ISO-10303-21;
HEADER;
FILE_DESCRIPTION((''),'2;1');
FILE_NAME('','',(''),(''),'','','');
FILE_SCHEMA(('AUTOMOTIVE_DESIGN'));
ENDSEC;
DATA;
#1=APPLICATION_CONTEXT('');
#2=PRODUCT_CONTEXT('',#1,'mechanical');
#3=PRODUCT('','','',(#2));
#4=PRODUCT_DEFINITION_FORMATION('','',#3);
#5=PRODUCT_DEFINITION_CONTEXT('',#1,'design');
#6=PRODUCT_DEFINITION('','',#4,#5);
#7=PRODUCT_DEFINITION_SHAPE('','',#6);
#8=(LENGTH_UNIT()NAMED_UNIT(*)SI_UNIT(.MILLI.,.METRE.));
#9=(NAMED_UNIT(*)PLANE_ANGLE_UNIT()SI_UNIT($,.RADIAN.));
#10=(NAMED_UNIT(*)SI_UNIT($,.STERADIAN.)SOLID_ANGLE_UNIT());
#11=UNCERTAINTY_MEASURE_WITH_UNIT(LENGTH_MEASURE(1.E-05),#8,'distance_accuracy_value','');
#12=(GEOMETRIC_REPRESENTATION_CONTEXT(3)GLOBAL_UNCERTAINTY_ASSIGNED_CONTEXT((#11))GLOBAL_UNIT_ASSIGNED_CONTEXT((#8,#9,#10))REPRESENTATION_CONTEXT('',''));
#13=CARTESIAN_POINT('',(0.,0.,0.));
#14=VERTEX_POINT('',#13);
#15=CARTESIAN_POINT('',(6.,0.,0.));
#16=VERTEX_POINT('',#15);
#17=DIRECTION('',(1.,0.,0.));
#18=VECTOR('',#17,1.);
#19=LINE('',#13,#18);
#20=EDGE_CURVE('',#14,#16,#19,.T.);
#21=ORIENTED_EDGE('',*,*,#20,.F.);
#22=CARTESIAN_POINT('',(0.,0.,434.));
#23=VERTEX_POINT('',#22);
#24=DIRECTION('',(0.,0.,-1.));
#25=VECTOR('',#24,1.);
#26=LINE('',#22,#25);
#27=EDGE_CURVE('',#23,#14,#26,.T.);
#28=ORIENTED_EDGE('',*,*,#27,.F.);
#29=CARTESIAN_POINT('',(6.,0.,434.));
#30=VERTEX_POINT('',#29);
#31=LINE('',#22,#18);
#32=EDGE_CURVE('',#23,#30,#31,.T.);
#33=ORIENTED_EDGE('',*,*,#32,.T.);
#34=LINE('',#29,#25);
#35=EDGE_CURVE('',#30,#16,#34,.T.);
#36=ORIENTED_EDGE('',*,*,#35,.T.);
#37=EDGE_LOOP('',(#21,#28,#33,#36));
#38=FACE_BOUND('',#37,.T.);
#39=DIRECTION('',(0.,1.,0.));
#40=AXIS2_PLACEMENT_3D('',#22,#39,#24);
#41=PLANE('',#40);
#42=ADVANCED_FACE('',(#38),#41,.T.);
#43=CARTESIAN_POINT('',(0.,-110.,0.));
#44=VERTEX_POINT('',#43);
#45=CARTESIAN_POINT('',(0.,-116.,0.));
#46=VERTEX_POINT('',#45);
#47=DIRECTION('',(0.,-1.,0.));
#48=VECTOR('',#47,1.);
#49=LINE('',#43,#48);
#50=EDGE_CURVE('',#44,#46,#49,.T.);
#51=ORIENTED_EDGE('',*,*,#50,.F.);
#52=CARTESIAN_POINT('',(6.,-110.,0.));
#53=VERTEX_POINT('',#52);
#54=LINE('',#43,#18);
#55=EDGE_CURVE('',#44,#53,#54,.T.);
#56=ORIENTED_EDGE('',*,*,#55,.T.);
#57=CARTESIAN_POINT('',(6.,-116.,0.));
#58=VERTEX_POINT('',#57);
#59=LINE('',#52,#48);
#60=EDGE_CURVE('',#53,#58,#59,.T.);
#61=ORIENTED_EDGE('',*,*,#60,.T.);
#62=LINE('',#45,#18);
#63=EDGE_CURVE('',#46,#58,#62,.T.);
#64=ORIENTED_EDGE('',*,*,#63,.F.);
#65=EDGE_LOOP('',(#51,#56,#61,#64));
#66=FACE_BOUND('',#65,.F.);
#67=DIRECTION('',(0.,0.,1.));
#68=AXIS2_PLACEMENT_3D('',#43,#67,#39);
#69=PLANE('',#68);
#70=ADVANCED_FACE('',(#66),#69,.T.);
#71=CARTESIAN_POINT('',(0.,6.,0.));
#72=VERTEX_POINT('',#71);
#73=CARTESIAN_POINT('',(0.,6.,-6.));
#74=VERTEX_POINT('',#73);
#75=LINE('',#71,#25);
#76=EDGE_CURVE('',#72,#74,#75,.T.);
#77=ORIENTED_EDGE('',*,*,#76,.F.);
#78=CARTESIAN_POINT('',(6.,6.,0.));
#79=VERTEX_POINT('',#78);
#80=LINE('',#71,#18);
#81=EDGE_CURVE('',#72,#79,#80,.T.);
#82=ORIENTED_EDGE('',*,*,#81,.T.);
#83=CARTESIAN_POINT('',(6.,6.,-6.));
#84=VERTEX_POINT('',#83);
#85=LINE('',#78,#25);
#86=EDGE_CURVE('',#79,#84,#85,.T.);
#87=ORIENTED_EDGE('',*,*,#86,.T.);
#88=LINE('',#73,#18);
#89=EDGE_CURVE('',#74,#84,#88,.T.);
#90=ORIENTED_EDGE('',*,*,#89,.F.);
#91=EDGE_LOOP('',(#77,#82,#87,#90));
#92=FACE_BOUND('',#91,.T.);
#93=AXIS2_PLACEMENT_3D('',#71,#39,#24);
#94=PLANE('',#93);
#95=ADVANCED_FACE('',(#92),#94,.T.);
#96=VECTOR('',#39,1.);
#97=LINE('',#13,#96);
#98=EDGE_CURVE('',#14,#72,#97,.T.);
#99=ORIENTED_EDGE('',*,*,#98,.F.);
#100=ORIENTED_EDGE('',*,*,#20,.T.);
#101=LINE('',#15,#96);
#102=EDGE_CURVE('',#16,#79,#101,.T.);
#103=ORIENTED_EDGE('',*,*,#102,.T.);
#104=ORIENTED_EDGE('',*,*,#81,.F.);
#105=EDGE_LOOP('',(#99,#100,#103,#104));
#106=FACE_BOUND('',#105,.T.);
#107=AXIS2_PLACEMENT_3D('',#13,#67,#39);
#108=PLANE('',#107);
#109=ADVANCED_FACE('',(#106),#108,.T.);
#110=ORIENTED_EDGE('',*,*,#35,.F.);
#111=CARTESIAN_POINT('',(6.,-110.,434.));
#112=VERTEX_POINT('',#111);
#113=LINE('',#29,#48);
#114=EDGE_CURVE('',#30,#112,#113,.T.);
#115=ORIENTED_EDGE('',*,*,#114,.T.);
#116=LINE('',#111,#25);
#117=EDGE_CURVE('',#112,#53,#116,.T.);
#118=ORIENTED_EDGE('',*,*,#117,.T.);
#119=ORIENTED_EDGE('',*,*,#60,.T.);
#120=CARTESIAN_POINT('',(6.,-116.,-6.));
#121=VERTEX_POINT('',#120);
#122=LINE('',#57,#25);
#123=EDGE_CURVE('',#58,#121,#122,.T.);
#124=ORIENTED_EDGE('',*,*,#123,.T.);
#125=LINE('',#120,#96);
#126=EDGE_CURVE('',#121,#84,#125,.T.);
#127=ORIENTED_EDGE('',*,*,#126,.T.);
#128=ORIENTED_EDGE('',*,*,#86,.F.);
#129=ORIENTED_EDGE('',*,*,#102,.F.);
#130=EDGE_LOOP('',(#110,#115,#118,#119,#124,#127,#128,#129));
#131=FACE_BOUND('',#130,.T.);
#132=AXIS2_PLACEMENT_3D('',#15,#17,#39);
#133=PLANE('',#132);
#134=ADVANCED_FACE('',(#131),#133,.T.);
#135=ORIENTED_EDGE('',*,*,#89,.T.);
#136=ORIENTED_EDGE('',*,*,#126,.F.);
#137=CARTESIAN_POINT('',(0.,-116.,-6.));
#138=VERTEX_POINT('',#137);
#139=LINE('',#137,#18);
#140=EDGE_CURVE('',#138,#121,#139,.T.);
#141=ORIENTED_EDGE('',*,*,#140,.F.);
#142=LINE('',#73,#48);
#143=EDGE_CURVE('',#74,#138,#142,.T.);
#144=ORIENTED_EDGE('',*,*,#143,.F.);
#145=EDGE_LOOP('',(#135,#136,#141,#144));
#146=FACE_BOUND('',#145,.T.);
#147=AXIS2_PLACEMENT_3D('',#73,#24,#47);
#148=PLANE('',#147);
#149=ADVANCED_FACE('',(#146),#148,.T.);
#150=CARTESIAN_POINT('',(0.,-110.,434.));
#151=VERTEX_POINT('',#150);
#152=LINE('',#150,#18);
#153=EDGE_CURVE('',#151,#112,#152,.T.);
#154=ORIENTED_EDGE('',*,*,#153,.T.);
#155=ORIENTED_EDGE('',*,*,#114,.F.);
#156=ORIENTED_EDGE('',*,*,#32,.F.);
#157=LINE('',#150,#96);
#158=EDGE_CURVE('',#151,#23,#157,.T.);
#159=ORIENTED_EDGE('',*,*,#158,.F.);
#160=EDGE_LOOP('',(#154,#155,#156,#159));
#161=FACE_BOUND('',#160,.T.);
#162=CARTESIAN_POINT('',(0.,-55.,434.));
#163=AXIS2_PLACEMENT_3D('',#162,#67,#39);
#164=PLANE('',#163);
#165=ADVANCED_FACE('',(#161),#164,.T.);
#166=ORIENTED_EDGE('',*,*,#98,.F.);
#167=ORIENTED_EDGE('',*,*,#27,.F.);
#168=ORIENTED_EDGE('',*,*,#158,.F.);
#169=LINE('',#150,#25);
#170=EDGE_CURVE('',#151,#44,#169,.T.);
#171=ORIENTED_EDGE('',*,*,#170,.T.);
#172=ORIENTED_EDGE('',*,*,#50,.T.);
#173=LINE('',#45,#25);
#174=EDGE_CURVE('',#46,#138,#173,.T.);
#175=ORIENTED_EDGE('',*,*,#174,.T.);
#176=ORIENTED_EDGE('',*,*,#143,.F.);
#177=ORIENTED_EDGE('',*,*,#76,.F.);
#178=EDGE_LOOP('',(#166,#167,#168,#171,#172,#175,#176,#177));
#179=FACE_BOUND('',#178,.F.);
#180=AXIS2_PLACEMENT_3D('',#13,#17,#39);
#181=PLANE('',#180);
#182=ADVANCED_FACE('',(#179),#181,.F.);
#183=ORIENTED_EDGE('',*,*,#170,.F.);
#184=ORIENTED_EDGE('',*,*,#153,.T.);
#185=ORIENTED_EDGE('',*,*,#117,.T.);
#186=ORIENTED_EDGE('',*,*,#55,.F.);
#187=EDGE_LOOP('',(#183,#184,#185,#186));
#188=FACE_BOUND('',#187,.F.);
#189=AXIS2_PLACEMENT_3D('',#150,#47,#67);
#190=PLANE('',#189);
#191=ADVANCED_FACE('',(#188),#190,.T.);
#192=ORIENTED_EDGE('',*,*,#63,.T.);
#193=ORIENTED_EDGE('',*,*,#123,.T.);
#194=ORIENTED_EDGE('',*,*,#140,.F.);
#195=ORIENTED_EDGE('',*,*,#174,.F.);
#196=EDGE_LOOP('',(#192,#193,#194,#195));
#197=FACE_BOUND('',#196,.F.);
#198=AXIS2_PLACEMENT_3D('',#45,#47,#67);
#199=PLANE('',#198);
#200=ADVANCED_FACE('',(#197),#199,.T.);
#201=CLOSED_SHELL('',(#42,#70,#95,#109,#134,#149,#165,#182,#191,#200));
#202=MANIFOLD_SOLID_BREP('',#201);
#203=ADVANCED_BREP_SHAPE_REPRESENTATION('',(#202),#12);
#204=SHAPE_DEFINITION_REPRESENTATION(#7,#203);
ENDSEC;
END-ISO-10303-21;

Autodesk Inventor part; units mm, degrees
ref_plane "YZ Plane" through (0, 0, 0) normal (1, 0, 0) x (0, 1, 0)
ref_plane "XZ Plane" through (0, 0, 0) normal (0, 1, 0) x (-1, 0, 0)
ref_plane "XY Plane" through (0, 0, 0) normal (0, 0, 1) x (1, 0, 0)
sketch "Sketch2" plane through (0, 0, 0) normal (1, 0, 0) x (0, 1, 0)
  line L0 (0, 0) -> (6, 0)
  line L1 (6, 0) -> (6, -6)
  line L2 (6, -6) -> (0, -6)
  line L3 (0, -6) -> (0, 0)
  line L4 (0, -6) -> (-55, -6)
  line L5 (-55, -6) -> (-55, 434)
  line L6 (-55, 434) -> (0, 434)
  line L7 (0, 434) -> (0, -6)
  dimension "d0" = 6
  dimension "d1" = 6
  dimension "d2" = 55
  dimension "d3" = 440
extrude "Extrusion1" add sketch "Sketch2" along normal blind 6
mirror "Mirror1" about plane through (0, -55, 434) normal (0, -1, 0) of "Extrusion1"
properties part number "wall 5 for sorting"
